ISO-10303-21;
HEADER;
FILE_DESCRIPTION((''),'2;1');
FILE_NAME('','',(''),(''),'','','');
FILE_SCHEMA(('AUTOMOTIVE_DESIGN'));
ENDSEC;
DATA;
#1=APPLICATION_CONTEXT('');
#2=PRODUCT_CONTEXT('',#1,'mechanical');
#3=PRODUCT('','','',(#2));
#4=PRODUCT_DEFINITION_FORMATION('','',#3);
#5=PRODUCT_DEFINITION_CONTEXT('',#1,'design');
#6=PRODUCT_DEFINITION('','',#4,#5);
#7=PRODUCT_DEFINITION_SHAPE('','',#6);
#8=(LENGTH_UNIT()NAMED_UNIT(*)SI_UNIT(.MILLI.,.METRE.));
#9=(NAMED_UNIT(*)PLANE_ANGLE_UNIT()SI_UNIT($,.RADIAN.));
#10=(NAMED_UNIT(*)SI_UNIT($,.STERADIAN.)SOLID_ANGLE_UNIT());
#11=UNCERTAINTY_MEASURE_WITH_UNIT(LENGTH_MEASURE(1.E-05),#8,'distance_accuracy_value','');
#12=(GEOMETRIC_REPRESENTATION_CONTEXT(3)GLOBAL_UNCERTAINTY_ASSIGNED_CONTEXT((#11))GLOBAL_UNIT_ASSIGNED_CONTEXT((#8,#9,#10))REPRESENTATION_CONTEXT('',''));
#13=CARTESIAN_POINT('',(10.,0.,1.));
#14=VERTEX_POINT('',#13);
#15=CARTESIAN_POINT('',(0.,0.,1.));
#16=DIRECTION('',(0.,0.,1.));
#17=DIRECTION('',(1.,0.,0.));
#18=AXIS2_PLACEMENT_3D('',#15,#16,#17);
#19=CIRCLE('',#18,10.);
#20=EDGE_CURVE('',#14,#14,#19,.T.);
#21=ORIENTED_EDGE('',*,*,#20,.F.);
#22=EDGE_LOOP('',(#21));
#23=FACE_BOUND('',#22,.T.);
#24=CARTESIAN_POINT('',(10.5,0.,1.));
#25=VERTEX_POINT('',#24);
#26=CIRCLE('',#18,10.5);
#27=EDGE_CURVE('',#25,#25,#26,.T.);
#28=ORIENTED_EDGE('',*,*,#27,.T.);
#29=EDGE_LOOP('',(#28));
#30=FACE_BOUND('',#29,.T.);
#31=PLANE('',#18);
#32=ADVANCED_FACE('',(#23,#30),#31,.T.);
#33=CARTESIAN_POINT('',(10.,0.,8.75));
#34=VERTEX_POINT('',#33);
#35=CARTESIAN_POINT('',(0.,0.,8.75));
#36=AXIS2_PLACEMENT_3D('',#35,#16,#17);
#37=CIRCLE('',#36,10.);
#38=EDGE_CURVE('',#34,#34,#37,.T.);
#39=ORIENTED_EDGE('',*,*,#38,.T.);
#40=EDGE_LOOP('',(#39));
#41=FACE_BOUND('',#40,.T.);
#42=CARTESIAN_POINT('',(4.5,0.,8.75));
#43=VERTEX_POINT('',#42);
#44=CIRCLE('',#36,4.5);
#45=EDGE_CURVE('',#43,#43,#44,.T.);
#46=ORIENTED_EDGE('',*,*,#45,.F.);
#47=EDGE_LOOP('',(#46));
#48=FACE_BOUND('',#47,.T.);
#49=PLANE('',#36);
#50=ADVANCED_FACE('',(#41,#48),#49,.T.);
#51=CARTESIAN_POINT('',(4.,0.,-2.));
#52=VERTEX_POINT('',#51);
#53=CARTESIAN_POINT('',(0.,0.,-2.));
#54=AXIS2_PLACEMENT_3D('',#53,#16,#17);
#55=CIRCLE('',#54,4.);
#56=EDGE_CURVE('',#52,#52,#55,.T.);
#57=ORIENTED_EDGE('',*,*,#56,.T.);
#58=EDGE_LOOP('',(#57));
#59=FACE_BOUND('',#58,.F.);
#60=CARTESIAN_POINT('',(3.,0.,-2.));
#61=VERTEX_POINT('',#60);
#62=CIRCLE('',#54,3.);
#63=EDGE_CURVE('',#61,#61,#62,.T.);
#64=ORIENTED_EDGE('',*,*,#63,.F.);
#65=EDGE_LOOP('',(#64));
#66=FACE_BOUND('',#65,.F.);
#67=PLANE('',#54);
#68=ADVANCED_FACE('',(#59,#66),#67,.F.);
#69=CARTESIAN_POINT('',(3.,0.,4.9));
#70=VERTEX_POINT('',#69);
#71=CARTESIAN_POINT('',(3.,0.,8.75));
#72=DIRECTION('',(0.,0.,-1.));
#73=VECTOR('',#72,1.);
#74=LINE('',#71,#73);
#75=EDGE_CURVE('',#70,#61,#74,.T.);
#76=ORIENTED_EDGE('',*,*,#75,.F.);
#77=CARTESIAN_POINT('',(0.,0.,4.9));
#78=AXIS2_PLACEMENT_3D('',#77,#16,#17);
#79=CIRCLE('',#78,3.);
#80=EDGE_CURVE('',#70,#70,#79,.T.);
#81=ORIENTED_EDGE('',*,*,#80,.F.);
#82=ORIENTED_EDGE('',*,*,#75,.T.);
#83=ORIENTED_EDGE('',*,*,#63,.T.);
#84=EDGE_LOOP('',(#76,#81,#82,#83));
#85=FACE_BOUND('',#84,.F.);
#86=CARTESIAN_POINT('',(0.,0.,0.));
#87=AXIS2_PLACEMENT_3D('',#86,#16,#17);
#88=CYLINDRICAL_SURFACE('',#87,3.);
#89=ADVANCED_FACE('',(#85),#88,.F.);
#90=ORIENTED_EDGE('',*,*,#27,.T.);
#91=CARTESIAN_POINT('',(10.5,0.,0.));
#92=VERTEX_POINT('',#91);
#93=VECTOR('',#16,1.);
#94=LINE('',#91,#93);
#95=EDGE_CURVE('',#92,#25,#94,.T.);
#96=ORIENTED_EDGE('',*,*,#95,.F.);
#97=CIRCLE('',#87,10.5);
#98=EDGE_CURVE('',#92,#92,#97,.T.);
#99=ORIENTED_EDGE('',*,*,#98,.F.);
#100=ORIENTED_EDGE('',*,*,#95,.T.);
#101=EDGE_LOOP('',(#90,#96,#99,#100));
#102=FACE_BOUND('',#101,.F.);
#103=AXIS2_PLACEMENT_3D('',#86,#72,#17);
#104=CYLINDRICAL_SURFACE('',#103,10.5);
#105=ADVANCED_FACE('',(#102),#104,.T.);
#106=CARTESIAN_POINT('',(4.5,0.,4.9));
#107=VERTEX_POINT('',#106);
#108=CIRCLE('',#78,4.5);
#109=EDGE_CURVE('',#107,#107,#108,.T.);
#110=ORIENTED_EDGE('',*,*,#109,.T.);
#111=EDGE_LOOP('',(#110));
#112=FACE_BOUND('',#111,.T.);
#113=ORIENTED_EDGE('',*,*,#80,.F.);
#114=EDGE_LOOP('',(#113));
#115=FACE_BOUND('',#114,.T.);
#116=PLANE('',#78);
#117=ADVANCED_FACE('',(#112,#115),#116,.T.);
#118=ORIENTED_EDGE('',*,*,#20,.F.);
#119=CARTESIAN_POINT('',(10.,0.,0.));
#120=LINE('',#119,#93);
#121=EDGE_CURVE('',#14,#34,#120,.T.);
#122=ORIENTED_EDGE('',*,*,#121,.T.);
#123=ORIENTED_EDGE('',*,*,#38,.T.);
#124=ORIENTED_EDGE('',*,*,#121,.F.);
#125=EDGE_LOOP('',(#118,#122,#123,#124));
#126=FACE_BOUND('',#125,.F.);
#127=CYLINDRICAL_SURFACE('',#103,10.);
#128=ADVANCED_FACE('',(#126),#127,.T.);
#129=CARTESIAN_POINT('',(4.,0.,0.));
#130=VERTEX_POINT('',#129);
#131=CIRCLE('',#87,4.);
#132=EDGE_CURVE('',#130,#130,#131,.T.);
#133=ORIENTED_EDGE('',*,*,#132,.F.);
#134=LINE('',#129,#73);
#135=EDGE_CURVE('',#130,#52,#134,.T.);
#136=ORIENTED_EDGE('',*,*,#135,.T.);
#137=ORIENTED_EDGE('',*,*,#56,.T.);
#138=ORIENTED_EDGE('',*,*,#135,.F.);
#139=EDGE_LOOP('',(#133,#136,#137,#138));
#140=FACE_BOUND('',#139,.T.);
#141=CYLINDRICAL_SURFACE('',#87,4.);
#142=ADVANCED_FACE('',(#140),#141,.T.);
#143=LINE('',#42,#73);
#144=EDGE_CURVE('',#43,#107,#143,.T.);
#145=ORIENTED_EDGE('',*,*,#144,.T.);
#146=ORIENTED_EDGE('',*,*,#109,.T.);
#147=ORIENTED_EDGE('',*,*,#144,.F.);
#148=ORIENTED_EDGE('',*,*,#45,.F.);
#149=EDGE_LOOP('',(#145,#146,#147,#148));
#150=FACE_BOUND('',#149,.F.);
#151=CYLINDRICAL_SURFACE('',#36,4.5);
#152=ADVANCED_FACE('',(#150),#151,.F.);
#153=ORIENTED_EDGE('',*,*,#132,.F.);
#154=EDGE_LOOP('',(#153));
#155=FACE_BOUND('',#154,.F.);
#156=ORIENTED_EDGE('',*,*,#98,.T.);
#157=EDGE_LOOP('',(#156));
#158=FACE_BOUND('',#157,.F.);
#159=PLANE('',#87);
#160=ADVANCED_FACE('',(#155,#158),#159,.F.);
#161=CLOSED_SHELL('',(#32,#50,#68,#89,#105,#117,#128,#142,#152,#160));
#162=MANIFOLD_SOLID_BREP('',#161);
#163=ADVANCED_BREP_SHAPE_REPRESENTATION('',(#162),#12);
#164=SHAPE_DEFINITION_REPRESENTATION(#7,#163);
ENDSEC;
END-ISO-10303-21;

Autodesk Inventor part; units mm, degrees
ref_plane "YZ Plane" through (0, 0, 0) normal (1, 0, 0) x (0, 1, 0)
ref_plane "XZ Plane" through (0, 0, 0) normal (0, 1, 0) x (-1, 0, 0)
ref_plane "XY Plane" through (0, 0, 0) normal (0, 0, 1) x (1, 0, 0)
sketch "スケッチ1" plane through (0, 0, 0) normal (0, 0, 1) x (1, 0, 0)
  circle A0 centre (0, 0) radius 10 construction
  circle A1 centre (0, 0) radius 10.5 construction
  circle A2 centre (0, 0) radius 3 construction
  circle A3 centre (0, 0) radius 9.5 construction
  circle A4 centre (0, 0) radius 1.5
  dimension "d0" = 20
  dimension "d1" = 21
  dimension "d2" = 6
  dimension "d3" = 19
  dimension "d10" = 3
sketch "スケッチ2" plane through (0, 0, 0) normal (0, 0, 1) x (1, 0, 0)
  circle A0 centre (0, 0) radius 9.5 construction
  circle A1 centre (0, 0) radius 10 construction
  circle A2 centre (0, 0) radius 9.5
  circle A3 centre (0, 0) radius 10
extrude "押し出し1" add sketch "スケッチ2" along normal blind 8.75
sketch "スケッチ4" plane through (0, 0, 0) normal (0, 0, 1) x (1, 0, 0)
  circle A0 centre (0, 0) radius 3 construction
  circle A1 centre (0, 0) radius 9.5 construction
  circle A2 centre (0, 0) radius 9.5
  circle A3 centre (0, 0) radius 10 projected
  circle A4 centre (0, 0) radius 3
extrude "押し出し3" add sketch "スケッチ4" along normal blind 8.75 contours A2 | A4
sketch "スケッチ6" plane through (0, 0, 0) normal (0, 0, 1) x (1, 0, 0)
  circle A0 centre (0, 0) radius 10 construction
  circle A1 centre (0, 0) radius 10.5 construction
  circle A2 centre (0, 0) radius 3 construction
  circle A3 centre (0, 0) radius 9.5 construction
  circle A4 centre (0, 0) radius 1.5
  circle A5 centre (0, 0) radius 10.5
  circle A6 centre (0, 0) radius 10
  circle A7 centre (0, 0) radius 10 projected
  circle A8 centre (0, 0) radius 9.5
  circle A9 centre (0, 0) radius 3
  dimension "d15" = 20
  dimension "d16" = 21
  dimension "d17" = 6
  dimension "d18" = 19
  dimension "d19" = 3
extrude "押し出し6" add sketch "スケッチ6" along normal blind 1 contours A5
sketch "スケッチ7" plane through (0, 0, 0) normal (0, 0, 1) x (1, 0, 0)
  circle A0 centre (0, 0) radius 10 construction
  circle A1 centre (0, 0) radius 10.5 construction
  circle A2 centre (0, 0) radius 3 construction
  circle A3 centre (0, 0) radius 9.5 construction
  circle A4 centre (0, 0) radius 1.5
  circle A5 centre (0, 0) radius 10.5
  circle A6 centre (0, 0) radius 10
  circle A7 centre (0, 0) radius 9.5
  circle A8 centre (0, 0) radius 3
  circle A9 centre (0, 0) radius 4
  dimension "d22" = 20
  dimension "d23" = 21
  dimension "d24" = 6
  dimension "d25" = 19
  dimension "d26" = 3
  dimension "d27" = 8
extrude "押し出し7" add sketch "スケッチ7" against normal blind 2 contours A9
sketch "スケッチ8" plane through (0, 0, 0) normal (0, 0, 1) x (1, 0, 0)
  circle A0 centre (0, 0) radius 10 construction
  circle A1 centre (0, 0) radius 10.5 construction
  circle A2 centre (0, 0) radius 3 construction
  circle A3 centre (0, 0) radius 9.5 construction
  circle A4 centre (0, 0) radius 1.5
  circle A5 centre (0, 0) radius 10.5
  circle A6 centre (0, 0) radius 10
  circle A7 centre (0, 0) radius 9.5
  circle A8 centre (0, 0) radius 3
  circle A9 centre (0, 0) radius 4
  dimension "d30" = 20
  dimension "d31" = 21
  dimension "d32" = 6
  dimension "d33" = 19
  dimension "d34" = 3
  dimension "d35" = 8
extrude "押し出し8" cut sketch "スケッチ8" along normal blind 20 contours A4
sketch "スケッチ9" plane through (0, 0, 0) normal (0, 0, 1) x (1, 0, 0)
  circle A0 centre (0, 0) radius 10 construction
  circle A1 centre (0, 0) radius 10.5 construction
  circle A2 centre (0, 0) radius 3 construction
  circle A3 centre (0, 0) radius 9.5 construction
  circle A4 centre (0, 0) radius 1.5
  circle A5 centre (0, 0) radius 10.5
  circle A6 centre (0, 0) radius 10
  circle A7 centre (0, 0) radius 9.5
  circle A8 centre (0, 0) radius 3
  circle A9 centre (0, 0) radius 4
  dimension "d38" = 20
  dimension "d39" = 21
  dimension "d40" = 6
  dimension "d41" = 19
  dimension "d42" = 3
  dimension "d43" = 8
extrude "押し出し9" cut sketch "スケッチ9" along normal blind 20 contours A8
ref_plane "作業平面1" through (0, 0, 8.75) normal (0, 0, 1) x (1, 0, 0)
sketch "スケッチ10" plane through (0, 0, 8.75) normal (0, 0, 1) x (1, 0, 0)
  circle A0 centre (0, 0) radius 4.5
  dimension "d47" = 9
extrude "押し出し10" cut sketch "スケッチ10" against normal blind 3.85
properties part number "wheel"
